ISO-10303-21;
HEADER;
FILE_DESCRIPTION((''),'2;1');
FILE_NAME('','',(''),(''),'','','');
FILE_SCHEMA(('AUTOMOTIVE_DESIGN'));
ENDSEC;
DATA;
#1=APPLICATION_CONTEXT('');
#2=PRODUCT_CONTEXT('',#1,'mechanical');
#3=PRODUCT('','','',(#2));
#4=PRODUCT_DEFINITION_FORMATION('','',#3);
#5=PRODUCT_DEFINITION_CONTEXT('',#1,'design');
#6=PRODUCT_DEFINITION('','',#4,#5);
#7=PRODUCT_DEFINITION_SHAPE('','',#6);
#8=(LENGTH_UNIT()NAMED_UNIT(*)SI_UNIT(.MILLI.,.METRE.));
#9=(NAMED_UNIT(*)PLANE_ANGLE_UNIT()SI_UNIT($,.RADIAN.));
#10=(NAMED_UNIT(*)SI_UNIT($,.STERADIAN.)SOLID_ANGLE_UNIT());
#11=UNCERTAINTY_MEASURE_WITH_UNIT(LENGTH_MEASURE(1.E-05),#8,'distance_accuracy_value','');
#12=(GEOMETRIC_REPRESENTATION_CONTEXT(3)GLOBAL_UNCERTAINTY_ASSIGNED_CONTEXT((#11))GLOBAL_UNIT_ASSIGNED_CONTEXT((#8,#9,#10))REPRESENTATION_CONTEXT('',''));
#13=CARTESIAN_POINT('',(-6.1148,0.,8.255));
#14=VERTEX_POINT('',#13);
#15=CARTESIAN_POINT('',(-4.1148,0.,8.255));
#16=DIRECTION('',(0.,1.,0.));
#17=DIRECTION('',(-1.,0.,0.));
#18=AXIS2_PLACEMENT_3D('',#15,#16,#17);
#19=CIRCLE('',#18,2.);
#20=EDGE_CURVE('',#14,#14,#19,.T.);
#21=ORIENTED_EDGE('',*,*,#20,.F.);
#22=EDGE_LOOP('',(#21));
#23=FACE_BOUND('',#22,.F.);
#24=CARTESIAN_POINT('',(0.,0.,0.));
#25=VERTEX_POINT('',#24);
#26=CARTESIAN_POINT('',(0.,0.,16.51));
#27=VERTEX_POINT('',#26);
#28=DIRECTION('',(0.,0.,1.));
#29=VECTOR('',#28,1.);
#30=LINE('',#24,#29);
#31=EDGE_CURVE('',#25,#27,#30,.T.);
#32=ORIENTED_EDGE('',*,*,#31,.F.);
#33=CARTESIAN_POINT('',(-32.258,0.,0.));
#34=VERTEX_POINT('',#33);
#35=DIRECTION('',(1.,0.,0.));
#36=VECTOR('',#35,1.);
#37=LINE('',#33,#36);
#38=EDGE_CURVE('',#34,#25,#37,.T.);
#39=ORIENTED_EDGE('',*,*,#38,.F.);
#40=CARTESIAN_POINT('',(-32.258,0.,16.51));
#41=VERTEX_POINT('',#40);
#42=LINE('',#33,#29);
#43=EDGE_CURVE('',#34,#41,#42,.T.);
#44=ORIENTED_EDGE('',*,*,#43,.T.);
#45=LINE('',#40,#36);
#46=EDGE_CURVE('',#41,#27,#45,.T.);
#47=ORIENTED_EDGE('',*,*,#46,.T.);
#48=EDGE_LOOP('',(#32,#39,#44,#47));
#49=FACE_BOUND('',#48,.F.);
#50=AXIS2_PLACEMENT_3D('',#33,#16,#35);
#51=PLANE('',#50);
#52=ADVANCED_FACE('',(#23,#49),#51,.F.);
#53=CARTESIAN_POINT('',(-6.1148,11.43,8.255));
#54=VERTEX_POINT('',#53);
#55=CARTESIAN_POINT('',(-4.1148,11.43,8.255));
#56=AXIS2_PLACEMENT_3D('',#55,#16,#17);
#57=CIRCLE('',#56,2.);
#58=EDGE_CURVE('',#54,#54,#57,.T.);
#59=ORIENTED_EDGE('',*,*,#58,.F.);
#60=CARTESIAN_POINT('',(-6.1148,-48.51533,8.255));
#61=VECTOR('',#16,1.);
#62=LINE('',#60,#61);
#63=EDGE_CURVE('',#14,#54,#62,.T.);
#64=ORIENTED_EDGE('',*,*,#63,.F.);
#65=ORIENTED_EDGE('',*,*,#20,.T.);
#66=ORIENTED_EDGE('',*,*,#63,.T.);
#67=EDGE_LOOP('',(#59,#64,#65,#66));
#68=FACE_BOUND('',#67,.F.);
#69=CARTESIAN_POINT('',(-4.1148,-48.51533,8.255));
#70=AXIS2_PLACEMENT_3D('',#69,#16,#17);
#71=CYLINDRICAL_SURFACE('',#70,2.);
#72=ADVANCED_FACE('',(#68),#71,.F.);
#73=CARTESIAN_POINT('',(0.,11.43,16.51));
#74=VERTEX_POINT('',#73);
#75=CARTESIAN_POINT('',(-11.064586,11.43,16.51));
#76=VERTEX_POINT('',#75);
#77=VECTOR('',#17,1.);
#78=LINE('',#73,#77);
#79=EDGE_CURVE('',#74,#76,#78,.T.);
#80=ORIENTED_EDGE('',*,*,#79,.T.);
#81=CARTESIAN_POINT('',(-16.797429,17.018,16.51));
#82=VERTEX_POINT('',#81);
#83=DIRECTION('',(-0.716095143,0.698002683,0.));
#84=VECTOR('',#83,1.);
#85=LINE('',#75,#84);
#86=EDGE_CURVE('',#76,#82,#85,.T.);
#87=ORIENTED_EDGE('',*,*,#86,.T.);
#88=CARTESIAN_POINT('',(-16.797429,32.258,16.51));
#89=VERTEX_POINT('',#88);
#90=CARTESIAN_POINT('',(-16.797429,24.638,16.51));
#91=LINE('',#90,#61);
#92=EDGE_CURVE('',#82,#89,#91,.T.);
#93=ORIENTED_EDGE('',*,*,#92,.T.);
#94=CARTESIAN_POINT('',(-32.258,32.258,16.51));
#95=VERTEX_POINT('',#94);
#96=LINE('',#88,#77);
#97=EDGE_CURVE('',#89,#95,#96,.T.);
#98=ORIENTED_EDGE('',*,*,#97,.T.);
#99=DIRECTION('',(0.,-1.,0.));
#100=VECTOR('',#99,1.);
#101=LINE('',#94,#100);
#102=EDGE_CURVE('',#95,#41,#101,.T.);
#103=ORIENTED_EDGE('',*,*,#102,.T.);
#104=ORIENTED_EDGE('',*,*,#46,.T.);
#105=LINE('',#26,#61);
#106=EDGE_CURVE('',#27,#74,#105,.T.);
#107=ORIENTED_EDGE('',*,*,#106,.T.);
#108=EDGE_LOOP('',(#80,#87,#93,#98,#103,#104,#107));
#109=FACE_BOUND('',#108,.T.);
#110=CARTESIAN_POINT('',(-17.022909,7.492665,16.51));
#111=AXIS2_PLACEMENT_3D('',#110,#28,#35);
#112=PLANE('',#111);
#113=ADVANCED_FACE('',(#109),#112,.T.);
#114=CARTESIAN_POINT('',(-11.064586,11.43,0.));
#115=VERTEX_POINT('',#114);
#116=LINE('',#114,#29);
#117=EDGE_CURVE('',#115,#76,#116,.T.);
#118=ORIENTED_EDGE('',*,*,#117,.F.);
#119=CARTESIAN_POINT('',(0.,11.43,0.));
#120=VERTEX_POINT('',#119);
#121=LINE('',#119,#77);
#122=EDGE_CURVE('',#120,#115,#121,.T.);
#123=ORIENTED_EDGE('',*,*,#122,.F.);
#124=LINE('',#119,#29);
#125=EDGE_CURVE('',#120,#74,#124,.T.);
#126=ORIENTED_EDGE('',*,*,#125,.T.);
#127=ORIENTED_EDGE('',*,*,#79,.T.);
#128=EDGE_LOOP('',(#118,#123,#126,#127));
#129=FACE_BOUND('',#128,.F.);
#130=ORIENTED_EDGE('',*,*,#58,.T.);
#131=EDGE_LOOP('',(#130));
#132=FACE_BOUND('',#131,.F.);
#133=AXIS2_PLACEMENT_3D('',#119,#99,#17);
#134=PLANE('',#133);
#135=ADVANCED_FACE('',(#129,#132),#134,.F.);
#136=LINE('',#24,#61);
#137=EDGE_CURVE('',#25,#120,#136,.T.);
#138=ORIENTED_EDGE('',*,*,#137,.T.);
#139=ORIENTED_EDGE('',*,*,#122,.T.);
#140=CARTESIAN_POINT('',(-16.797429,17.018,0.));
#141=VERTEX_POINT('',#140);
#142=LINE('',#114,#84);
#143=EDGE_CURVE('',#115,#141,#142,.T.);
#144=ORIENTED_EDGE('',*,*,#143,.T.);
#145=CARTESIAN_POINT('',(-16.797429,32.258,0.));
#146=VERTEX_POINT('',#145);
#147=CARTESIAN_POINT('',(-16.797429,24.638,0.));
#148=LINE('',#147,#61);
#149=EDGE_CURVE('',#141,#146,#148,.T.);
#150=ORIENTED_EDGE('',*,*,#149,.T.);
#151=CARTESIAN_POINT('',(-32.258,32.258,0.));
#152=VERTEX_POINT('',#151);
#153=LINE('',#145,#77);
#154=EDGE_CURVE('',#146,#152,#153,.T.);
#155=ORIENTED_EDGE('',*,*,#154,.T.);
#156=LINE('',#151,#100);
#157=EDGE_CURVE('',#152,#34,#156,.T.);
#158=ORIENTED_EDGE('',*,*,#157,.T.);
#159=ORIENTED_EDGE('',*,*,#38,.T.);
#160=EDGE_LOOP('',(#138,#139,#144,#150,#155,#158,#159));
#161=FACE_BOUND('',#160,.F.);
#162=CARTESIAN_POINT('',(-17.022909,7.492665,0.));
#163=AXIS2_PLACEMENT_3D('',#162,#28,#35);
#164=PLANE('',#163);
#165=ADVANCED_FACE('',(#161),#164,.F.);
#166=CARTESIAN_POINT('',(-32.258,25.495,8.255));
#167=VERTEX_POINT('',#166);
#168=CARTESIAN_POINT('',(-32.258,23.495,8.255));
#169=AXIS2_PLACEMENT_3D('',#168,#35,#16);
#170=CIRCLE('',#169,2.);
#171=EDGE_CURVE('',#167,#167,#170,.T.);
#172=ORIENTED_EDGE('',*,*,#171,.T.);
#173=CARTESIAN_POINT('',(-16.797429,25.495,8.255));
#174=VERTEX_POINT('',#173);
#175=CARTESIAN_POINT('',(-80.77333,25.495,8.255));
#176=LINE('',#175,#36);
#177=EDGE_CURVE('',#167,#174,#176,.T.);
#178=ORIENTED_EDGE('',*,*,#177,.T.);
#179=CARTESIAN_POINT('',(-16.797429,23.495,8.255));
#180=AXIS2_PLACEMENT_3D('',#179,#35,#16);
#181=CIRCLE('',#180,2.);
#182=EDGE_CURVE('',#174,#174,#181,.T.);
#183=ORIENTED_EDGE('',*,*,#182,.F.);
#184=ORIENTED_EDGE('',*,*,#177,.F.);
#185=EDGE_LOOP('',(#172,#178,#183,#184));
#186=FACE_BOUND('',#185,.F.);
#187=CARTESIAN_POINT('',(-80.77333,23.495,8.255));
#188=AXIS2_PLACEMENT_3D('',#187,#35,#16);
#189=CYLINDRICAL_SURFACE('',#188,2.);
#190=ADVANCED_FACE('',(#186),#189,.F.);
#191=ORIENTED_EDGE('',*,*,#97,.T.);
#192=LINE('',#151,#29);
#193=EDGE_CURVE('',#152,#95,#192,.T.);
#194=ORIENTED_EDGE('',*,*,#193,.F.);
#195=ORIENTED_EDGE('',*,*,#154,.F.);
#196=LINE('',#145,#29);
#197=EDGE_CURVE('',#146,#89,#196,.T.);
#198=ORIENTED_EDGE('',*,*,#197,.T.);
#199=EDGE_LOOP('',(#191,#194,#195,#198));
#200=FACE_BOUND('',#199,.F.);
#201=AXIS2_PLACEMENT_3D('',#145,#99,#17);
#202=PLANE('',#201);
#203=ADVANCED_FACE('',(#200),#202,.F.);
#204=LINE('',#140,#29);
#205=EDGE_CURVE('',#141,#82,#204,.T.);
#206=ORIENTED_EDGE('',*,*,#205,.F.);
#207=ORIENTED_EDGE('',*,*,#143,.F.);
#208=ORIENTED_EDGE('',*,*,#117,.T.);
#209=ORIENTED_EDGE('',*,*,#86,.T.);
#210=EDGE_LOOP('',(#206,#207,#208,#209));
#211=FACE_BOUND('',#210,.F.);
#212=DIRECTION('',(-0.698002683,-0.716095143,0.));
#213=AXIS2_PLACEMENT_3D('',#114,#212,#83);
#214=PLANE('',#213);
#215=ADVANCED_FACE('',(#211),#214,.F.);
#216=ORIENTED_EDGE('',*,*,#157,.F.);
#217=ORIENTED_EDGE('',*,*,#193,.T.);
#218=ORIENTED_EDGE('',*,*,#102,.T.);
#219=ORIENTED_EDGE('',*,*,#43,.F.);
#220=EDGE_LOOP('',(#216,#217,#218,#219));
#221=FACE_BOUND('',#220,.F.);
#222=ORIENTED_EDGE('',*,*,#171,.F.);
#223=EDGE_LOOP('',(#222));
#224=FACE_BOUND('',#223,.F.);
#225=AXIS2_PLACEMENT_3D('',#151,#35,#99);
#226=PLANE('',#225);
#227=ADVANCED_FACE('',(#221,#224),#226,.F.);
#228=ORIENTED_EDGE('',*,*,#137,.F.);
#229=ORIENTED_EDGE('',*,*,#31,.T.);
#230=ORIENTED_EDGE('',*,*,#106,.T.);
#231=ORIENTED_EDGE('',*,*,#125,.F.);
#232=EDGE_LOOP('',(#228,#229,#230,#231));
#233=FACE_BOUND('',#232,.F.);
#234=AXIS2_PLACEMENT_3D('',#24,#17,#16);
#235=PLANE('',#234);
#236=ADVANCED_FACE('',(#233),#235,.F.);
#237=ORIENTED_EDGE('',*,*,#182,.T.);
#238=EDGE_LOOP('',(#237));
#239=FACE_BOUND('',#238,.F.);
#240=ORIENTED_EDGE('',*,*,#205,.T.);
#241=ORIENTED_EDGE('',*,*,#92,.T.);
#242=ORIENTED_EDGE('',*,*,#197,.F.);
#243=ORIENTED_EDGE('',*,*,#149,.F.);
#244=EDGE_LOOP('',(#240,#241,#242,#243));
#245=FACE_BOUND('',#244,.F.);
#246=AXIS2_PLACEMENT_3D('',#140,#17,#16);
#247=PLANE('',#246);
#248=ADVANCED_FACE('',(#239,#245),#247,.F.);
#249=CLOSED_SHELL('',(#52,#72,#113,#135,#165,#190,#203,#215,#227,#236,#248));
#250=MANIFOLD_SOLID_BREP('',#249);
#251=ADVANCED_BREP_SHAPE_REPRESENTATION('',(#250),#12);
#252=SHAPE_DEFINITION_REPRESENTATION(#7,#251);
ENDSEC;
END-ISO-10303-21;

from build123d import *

# Parameters (mm, degrees)
F0_W     = 11.43
F0_H     = 15.24
F0_W_2   = 4.0305707882
F1_DEPTH = 16.51
F3_D     = 4
F5_D     = 4


with BuildPart() as f1:
    # F0 (on Top) → F1 (new body)
    with BuildSketch(Plane.XY):
        Polygon((-32.258, 0), (0, 0), (0, 11.43), (-11.0645864088, 11.43), (-16.7974292118, 17.018), (-20.828, 17.018), (-32.258, 17.018), align=None)
        with Locations((-26.543, 24.638)):
            Rectangle(F0_W, F0_H)
        with Locations((-18.8127146059, 24.638)):
            Rectangle(F0_W_2, F0_H)
    extrude(amount=F1_DEPTH)

    # F3 (through all)
    with Locations(Plane.XZ):
        with Locations((-4.1148, 8.255)):
            Hole(F3_D / 2)

    # F5 (through all)
    with Locations(Plane(origin=(-32.258, 0, 0), x_dir=(0, -1, 0), z_dir=(-1, 0, 0))):
        with Locations((-23.495, 8.255)):
            Hole(F5_D / 2)


solid = f1.part
